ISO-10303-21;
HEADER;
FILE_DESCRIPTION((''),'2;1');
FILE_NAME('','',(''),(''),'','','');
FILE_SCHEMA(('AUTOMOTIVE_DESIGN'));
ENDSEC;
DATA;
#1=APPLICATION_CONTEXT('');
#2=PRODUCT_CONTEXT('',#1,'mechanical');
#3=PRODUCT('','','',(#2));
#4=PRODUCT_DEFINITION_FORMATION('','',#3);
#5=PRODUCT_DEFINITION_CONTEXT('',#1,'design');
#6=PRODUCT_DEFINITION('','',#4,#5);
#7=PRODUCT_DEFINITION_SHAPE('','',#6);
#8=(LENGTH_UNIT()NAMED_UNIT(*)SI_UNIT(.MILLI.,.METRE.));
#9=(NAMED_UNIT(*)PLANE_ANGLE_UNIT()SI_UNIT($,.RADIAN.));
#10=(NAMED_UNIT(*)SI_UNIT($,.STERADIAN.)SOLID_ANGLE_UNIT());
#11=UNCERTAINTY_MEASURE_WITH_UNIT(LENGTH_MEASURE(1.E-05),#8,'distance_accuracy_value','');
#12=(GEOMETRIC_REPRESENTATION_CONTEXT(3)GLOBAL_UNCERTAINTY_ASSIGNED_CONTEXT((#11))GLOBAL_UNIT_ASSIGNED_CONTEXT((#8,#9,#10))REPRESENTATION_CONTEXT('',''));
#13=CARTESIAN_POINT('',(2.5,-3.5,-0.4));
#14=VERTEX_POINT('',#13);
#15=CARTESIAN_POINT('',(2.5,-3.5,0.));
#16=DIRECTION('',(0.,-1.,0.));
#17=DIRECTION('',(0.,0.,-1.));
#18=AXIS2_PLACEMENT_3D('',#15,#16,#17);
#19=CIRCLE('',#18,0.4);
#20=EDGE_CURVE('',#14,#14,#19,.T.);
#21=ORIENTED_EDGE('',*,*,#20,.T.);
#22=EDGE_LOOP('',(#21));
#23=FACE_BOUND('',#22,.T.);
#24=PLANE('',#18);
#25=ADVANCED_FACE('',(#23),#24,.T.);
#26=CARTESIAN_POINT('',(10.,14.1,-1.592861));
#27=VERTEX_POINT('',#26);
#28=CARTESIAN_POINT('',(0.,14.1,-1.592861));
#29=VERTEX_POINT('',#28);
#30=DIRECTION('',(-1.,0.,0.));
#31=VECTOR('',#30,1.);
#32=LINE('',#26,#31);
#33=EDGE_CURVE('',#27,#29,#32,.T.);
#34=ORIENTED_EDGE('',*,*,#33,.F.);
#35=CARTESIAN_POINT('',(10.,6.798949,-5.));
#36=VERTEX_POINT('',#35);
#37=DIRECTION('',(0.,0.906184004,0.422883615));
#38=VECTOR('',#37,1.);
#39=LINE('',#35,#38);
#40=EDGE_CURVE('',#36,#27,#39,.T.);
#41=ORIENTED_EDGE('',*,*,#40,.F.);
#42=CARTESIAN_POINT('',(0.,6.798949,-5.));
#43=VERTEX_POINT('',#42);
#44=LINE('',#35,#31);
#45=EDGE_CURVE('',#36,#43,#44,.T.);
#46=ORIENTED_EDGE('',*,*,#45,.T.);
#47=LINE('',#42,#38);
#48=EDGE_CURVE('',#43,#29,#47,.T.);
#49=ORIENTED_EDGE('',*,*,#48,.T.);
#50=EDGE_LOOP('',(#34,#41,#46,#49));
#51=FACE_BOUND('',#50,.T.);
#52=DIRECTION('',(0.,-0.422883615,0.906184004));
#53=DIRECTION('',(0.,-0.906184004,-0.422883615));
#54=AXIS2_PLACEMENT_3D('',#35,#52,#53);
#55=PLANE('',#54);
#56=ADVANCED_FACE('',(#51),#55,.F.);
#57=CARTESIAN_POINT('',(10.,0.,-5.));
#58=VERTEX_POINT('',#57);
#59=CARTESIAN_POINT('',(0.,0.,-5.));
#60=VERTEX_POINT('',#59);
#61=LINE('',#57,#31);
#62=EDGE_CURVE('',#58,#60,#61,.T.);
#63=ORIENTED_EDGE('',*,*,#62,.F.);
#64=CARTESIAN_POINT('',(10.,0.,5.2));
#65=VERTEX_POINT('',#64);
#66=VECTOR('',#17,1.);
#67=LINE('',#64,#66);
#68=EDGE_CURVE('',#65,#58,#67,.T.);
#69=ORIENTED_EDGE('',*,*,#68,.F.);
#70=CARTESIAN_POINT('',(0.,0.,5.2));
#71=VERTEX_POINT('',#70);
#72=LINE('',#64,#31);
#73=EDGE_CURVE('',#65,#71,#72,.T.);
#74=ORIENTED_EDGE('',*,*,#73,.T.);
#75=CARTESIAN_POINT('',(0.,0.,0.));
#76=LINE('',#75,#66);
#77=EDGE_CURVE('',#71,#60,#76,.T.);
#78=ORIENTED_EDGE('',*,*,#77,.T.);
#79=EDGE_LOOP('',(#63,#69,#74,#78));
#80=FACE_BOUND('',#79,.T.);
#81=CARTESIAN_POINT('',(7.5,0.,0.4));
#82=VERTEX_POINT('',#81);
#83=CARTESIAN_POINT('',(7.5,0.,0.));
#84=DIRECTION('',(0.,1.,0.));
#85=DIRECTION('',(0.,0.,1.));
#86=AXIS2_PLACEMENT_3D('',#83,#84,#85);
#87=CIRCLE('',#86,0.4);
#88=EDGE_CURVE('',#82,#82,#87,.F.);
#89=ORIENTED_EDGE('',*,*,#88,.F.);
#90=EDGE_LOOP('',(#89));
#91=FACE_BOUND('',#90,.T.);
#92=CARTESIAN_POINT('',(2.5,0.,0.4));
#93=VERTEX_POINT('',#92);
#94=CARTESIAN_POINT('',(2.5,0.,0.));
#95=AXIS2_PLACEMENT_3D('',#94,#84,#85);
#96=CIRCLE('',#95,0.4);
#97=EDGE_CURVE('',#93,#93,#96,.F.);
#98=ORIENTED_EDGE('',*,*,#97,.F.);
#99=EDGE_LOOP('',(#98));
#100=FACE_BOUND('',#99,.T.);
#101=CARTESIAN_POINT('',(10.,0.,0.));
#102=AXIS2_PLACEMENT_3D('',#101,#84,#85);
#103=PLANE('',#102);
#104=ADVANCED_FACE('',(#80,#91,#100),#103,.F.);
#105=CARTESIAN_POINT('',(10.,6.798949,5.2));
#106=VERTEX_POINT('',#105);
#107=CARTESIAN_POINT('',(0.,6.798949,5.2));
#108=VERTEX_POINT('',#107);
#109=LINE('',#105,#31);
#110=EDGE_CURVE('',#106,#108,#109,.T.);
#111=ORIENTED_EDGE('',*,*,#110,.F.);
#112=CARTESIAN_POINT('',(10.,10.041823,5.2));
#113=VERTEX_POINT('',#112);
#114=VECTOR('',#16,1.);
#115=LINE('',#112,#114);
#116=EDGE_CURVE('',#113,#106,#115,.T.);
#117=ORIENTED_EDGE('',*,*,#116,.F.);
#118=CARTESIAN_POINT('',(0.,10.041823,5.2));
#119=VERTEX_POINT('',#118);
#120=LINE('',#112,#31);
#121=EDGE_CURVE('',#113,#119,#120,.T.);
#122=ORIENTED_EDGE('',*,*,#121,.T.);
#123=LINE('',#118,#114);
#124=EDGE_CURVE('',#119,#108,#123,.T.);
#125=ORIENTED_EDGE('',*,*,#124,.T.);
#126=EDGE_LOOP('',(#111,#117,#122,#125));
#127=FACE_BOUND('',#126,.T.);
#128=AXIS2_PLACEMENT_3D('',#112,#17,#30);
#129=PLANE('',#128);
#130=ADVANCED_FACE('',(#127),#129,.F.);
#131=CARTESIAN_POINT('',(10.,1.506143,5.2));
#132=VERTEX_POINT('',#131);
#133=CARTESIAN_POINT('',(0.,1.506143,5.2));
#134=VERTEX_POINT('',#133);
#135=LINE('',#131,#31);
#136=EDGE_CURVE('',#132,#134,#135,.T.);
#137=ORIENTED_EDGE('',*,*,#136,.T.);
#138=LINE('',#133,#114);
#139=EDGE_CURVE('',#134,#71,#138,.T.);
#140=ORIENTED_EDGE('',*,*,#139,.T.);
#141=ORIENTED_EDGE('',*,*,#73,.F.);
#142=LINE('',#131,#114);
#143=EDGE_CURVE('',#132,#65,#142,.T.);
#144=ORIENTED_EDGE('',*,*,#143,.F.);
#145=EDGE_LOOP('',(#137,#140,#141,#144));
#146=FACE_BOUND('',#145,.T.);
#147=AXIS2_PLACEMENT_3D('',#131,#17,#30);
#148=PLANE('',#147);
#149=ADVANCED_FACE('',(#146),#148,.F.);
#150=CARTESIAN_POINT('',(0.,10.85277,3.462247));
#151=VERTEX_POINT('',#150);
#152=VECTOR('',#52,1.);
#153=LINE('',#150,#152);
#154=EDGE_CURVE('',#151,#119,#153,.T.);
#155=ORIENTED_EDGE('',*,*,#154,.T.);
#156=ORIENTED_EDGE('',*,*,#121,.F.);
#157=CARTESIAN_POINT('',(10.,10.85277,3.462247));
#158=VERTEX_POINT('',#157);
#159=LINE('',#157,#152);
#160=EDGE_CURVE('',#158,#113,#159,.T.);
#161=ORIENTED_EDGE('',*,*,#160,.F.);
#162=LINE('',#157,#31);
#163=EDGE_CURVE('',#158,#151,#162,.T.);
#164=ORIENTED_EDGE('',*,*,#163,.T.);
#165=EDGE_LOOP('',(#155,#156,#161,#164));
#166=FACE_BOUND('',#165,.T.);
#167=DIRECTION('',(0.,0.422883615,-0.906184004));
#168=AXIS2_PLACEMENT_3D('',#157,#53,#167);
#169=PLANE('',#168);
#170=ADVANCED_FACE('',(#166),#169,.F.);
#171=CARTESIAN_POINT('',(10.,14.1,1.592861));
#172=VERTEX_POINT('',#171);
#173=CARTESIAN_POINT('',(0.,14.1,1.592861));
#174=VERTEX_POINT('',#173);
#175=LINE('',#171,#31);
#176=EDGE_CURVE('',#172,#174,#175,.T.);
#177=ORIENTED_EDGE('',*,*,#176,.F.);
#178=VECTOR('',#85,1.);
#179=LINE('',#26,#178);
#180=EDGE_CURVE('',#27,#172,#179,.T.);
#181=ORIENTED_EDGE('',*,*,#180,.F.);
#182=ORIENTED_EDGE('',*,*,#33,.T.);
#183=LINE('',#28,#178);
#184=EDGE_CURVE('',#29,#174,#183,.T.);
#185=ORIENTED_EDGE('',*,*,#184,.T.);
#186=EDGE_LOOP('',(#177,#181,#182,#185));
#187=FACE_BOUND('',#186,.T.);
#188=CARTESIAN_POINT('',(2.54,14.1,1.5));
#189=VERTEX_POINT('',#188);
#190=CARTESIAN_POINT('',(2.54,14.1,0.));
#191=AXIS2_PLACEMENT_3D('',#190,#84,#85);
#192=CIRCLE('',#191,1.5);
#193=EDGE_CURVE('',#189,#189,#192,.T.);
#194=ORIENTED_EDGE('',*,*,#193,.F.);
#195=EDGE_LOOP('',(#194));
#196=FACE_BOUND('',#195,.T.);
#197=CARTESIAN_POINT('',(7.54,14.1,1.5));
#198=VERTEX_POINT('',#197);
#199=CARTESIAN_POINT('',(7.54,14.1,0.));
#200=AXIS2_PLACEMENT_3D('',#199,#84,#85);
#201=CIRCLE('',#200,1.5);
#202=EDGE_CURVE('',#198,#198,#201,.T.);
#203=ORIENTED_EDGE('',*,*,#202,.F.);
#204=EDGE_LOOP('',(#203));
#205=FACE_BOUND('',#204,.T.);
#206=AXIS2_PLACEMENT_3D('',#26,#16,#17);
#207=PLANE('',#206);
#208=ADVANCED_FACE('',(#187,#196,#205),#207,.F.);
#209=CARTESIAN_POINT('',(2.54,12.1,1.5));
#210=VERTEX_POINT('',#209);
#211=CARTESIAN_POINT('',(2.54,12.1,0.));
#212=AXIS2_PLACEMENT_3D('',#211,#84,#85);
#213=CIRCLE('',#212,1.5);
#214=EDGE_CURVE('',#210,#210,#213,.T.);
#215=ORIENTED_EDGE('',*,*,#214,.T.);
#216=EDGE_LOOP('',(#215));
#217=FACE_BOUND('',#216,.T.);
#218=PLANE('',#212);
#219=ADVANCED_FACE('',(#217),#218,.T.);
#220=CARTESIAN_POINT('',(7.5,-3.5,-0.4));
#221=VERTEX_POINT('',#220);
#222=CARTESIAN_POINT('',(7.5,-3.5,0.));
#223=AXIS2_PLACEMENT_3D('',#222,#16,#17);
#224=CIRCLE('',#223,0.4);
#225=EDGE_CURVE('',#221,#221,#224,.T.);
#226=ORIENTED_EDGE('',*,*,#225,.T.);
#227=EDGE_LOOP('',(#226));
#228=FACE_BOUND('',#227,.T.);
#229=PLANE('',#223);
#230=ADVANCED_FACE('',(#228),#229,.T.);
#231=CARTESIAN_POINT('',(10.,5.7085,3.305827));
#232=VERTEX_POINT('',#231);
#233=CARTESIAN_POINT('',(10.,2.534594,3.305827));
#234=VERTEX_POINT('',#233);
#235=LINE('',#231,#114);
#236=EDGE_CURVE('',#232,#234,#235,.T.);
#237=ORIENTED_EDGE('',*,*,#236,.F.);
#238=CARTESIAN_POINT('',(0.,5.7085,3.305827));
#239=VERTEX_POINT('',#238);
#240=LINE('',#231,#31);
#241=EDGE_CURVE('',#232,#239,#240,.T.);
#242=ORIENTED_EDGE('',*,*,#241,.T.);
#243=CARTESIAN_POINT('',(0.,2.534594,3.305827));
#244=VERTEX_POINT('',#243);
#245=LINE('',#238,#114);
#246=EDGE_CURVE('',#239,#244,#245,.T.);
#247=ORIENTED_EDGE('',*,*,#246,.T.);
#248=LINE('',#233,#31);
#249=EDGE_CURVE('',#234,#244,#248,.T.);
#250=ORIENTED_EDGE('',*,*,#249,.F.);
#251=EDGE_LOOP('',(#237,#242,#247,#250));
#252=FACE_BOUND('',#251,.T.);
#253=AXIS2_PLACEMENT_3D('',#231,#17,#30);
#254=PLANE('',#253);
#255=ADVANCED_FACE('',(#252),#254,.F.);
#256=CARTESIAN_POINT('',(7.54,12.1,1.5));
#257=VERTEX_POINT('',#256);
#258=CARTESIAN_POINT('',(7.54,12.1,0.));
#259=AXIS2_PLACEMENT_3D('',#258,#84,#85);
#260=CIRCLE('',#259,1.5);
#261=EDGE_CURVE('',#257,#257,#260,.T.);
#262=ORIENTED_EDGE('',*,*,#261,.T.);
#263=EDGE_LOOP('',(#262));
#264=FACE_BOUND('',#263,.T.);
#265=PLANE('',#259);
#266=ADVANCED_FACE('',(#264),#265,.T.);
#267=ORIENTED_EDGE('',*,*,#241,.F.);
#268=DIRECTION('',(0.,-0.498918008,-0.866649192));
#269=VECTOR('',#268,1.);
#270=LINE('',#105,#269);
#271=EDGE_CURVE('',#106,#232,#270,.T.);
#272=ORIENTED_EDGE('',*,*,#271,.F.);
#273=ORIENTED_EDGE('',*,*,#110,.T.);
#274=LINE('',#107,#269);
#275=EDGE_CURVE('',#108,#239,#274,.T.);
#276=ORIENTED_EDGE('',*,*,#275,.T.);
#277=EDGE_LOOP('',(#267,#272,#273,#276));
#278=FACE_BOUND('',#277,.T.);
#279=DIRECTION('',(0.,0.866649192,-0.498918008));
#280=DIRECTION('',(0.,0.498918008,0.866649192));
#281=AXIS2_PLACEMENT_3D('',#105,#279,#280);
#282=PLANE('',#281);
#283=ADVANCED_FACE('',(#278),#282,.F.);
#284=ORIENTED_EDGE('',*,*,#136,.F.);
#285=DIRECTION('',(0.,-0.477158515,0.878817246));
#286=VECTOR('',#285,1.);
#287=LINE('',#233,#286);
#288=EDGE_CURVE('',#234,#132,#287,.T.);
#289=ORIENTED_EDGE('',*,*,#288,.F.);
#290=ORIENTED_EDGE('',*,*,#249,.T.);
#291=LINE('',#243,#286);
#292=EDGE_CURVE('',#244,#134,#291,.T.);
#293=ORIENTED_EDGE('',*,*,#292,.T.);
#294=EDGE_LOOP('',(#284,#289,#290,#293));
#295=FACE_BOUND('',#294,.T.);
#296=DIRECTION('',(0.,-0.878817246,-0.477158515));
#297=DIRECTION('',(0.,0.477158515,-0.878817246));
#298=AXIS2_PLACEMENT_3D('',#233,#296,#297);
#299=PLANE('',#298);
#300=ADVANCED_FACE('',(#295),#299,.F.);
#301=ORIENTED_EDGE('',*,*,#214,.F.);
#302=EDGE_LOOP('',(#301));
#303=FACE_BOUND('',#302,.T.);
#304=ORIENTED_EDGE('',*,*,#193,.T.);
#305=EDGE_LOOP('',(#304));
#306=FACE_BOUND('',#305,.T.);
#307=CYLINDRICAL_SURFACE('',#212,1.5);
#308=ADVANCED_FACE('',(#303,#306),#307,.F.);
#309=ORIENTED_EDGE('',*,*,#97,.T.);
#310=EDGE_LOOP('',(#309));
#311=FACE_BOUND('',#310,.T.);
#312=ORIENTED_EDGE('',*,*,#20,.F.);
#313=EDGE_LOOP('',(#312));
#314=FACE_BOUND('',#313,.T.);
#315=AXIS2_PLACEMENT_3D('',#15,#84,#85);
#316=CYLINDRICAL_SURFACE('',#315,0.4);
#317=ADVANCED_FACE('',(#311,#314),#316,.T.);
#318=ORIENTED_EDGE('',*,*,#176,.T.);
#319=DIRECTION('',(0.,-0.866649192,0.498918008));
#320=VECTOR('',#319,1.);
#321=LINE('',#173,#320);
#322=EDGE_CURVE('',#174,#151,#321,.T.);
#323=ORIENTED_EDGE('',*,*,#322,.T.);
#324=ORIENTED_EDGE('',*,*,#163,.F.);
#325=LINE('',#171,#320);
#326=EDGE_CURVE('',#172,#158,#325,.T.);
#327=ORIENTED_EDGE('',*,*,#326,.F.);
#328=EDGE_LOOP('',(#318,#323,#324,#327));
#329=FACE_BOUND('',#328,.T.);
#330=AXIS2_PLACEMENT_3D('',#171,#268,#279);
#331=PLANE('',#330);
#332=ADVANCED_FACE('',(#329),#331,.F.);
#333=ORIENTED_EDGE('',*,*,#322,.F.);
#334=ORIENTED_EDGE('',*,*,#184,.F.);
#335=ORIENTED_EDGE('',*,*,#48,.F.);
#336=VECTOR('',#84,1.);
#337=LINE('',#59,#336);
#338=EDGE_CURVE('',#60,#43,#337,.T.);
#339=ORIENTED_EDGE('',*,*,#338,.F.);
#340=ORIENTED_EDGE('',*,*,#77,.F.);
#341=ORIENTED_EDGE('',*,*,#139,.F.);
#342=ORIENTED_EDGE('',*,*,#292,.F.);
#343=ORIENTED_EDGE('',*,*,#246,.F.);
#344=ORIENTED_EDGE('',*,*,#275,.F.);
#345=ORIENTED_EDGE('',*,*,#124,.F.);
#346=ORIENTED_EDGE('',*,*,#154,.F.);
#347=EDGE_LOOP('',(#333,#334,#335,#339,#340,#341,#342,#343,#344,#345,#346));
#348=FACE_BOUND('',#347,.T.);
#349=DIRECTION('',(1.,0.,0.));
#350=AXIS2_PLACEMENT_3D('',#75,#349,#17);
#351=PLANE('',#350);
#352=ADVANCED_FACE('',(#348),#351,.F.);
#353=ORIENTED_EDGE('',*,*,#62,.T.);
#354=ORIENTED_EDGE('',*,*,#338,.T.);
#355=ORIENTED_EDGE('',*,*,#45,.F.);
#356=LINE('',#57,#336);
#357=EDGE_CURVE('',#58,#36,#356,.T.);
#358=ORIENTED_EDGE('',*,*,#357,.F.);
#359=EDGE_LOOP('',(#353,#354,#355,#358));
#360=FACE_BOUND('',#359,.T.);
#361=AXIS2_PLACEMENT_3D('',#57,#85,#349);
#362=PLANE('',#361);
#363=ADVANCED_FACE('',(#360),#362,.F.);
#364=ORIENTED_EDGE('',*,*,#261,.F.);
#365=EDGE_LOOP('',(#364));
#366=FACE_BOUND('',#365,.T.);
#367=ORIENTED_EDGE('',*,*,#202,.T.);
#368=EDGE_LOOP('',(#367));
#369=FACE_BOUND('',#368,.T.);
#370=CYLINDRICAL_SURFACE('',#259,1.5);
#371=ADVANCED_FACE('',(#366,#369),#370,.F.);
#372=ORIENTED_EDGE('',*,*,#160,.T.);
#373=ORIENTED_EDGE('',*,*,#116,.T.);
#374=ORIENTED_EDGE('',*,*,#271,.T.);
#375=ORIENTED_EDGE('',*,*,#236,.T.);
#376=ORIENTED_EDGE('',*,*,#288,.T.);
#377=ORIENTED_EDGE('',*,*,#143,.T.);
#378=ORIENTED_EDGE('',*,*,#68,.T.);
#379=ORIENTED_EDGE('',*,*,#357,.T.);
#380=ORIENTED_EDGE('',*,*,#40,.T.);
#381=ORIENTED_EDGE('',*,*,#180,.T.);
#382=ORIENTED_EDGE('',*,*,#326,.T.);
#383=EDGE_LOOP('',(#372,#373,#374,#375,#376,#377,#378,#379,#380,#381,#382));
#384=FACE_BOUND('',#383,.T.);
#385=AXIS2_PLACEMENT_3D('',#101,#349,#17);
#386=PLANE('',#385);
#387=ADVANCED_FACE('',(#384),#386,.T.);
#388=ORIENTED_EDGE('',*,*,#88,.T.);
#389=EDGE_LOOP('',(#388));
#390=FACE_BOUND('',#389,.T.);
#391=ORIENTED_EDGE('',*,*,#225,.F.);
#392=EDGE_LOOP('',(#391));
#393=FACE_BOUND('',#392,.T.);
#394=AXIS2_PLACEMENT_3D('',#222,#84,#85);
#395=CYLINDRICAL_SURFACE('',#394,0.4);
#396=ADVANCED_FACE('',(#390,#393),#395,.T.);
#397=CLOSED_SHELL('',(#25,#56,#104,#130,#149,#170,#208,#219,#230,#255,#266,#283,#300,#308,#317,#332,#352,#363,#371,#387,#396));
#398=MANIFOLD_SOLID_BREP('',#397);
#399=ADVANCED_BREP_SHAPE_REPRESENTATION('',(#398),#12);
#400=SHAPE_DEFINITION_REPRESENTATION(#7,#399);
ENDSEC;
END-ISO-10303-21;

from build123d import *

# Parameters (mm, degrees)
EXTRUDE_1_DEPTH     = 10
SKETCH_2_R          = 1.5
CUT_EXTRUDE_1_DEPTH = 2
SKETCH_3_R          = 0.4
EXTRUDE_2_DEPTH     = 3.5


with BuildPart() as part:
    # 草图1 → 凸台-拉伸1 (new body)
    with BuildSketch(Plane(origin=(0, 0, 0), x_dir=(0, 0, -1), z_dir=(1, 0, 0))):
        Polygon((0, 0), (5, 0), (5, 6.798949449), (1.592861235, 14.1), (-1.592861235, 14.1), (-3.462246636, 10.852770352), (-5.2, 10.041823104), (-5.2, 6.798949449), (-3.305827132, 5.708500208), (-3.305827132, 2.534594125), (-5.2, 1.506142854), (-5.2, 0), align=None)
    extrude(amount=EXTRUDE_1_DEPTH)

    # 草图2 → 切除-拉伸1 (cut)
    with BuildSketch(Plane(origin=(0, 14.1, 0), x_dir=(1, 0, 0), z_dir=(0, 1, 0))):
        with Locations(Location((2.54, 0, 0), (0, 0, 270))):
            Circle(SKETCH_2_R)
        with Locations(Location((7.54, 0, 0), (0, 0, 270))):
            Circle(SKETCH_2_R)
    extrude(amount=-CUT_EXTRUDE_1_DEPTH, mode=Mode.SUBTRACT)

    # 草图3 → 凸台-拉伸2 (add)
    with BuildSketch(Plane.XZ):
        with Locations(Location((2.5, 0, 0), (0, 0, 90))):
            Circle(SKETCH_3_R)
        with Locations(Location((7.5, 0, 0), (0, 0, 90))):
            Circle(SKETCH_3_R)
    extrude(amount=EXTRUDE_2_DEPTH)


solid = part.part
